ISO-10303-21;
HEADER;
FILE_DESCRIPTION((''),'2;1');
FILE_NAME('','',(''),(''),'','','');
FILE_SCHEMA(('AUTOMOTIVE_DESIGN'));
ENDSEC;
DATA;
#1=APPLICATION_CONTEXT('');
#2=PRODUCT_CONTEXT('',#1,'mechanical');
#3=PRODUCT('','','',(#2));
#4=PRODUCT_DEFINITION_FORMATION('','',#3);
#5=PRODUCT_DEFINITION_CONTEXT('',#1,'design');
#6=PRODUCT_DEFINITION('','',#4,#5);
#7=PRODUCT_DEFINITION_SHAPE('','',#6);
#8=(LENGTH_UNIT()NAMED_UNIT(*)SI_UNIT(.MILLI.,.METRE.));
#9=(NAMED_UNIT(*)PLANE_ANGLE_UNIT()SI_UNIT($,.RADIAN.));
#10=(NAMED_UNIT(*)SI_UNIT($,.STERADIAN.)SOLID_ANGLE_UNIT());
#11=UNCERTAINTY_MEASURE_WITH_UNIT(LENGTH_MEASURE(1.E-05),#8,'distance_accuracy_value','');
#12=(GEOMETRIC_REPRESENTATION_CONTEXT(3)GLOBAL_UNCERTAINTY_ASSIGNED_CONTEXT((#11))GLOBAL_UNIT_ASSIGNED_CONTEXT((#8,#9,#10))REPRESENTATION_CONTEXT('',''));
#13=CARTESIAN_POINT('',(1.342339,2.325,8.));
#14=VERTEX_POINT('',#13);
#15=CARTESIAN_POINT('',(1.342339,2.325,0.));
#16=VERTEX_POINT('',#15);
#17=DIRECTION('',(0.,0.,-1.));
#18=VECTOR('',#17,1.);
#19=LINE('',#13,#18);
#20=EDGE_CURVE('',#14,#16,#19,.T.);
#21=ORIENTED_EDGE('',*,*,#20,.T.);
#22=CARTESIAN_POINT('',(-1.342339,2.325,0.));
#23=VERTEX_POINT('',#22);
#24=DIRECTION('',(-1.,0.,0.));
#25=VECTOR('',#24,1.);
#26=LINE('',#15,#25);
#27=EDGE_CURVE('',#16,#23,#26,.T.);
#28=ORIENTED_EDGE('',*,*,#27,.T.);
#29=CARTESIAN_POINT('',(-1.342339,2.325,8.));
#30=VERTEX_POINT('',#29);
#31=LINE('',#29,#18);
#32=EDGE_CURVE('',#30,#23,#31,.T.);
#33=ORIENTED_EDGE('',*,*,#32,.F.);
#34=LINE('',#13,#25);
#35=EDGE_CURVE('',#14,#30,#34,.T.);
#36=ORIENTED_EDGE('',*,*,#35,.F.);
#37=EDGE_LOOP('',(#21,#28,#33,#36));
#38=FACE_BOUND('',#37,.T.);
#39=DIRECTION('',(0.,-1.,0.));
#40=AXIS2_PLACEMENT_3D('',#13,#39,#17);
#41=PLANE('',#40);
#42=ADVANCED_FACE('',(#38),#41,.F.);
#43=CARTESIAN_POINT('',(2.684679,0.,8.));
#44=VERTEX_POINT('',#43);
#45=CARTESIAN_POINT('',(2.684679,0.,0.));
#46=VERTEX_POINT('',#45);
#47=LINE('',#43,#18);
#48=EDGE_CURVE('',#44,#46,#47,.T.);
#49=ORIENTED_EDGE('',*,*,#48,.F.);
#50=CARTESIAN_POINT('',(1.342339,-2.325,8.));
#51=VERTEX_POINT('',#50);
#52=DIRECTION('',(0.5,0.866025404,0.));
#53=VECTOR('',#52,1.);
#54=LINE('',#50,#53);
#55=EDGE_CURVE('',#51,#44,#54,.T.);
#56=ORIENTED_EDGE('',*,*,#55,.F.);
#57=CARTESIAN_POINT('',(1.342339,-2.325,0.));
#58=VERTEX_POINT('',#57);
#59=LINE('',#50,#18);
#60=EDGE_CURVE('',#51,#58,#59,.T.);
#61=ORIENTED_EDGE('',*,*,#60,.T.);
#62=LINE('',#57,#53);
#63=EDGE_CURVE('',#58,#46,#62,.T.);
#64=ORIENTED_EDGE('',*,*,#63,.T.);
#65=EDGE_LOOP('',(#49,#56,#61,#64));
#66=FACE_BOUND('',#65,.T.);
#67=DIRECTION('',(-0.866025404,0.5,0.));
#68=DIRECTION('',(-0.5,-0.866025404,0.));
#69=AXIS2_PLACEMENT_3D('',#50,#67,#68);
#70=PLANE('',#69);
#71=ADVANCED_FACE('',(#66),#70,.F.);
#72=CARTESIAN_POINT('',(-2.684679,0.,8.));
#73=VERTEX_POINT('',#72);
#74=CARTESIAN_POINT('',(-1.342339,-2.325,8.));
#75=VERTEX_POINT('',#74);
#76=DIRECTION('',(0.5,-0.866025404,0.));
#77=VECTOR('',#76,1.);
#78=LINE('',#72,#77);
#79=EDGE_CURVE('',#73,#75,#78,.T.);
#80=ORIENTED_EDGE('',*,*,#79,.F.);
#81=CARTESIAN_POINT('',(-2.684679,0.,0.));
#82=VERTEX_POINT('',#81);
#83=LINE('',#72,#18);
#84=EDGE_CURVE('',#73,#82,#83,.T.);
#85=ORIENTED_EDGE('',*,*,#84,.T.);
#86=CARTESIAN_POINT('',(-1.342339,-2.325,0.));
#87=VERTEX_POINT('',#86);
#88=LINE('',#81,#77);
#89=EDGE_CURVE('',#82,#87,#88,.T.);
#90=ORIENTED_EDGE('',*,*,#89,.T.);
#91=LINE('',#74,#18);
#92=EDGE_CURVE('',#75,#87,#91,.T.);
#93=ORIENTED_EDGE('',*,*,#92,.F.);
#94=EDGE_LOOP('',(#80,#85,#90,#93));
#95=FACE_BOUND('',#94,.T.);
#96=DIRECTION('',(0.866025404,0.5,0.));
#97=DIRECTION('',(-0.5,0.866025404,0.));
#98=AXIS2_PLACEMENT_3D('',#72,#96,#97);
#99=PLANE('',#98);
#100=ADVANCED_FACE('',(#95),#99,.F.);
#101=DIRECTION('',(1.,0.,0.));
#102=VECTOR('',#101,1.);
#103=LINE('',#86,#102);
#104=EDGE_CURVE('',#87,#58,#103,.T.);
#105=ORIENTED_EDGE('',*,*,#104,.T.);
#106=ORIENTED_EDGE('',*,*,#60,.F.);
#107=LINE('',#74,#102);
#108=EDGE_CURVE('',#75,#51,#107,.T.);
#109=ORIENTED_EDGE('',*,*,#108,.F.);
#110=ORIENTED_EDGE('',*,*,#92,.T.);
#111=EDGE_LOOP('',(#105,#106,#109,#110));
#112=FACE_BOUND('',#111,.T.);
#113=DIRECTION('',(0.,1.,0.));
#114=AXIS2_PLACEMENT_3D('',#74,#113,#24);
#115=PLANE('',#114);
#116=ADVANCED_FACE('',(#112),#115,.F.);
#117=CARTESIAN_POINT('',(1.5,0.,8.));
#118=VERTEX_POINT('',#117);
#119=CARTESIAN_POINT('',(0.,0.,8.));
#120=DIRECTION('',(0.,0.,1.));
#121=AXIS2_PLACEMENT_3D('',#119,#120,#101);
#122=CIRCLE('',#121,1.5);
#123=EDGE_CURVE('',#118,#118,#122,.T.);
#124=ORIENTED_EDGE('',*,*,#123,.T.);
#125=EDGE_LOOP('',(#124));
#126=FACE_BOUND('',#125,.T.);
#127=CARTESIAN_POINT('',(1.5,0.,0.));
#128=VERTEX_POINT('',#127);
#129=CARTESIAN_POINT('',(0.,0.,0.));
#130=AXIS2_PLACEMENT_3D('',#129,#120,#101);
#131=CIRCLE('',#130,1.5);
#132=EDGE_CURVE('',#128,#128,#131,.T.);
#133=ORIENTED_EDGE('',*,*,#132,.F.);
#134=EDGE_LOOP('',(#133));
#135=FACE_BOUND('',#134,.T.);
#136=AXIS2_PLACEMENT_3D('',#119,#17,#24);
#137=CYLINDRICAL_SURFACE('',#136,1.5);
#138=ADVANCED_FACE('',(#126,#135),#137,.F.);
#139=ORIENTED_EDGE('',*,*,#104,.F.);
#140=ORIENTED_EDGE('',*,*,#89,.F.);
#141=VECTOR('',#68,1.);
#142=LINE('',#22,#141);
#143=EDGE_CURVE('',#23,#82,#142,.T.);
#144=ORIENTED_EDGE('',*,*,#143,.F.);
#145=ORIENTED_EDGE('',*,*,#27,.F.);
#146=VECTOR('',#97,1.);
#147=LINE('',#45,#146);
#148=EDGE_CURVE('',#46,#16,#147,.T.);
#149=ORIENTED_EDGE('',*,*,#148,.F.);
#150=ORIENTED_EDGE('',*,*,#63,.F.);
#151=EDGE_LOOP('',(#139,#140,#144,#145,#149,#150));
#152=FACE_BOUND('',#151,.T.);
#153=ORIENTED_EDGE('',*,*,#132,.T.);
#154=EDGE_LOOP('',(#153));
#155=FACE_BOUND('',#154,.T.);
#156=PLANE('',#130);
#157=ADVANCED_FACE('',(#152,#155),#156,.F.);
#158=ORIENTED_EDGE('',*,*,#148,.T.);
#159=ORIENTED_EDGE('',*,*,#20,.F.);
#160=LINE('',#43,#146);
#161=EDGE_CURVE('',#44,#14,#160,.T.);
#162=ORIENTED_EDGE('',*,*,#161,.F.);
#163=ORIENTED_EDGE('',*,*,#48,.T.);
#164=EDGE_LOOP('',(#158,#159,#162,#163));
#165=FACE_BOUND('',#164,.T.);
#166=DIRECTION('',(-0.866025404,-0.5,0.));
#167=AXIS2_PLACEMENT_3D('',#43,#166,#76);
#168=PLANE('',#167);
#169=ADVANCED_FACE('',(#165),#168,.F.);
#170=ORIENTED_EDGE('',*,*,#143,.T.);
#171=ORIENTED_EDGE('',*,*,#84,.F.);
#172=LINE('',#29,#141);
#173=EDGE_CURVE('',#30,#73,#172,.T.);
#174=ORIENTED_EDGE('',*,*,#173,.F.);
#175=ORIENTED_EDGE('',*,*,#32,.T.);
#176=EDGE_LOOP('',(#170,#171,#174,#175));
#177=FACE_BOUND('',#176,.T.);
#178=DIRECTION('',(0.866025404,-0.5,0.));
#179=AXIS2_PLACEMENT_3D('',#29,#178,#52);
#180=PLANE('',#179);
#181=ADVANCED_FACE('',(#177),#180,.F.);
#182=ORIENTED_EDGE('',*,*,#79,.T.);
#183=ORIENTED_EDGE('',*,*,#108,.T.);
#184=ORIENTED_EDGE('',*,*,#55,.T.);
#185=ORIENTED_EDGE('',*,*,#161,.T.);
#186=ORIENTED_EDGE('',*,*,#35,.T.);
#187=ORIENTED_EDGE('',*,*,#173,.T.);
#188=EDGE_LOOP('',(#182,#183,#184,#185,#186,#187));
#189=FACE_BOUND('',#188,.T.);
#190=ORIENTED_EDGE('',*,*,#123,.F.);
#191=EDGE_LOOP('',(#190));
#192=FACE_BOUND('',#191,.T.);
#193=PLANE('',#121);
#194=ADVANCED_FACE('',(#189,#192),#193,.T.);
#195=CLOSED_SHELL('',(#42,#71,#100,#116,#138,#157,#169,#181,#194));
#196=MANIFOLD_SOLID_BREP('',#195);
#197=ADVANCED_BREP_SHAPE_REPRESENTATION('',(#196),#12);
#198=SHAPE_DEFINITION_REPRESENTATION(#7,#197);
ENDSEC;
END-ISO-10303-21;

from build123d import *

# Parameters (mm, degrees)
CROQUIS1_R              = 1.5
SALIENTE_EXTRUIR1_DEPTH = 8


with BuildPart() as part:
    # Croquis1 → Saliente-Extruir1 (new body)
    with BuildSketch(Plane.XY):
        Polygon((1.342339376, -2.325), (2.684678752, 0), (1.342339376, 2.325), (-1.342339376, 2.325), (-2.684678752, 0), (-1.342339376, -2.325), align=None)
        Circle(CROQUIS1_R, mode=Mode.SUBTRACT)
    extrude(amount=SALIENTE_EXTRUIR1_DEPTH)


solid = part.part
